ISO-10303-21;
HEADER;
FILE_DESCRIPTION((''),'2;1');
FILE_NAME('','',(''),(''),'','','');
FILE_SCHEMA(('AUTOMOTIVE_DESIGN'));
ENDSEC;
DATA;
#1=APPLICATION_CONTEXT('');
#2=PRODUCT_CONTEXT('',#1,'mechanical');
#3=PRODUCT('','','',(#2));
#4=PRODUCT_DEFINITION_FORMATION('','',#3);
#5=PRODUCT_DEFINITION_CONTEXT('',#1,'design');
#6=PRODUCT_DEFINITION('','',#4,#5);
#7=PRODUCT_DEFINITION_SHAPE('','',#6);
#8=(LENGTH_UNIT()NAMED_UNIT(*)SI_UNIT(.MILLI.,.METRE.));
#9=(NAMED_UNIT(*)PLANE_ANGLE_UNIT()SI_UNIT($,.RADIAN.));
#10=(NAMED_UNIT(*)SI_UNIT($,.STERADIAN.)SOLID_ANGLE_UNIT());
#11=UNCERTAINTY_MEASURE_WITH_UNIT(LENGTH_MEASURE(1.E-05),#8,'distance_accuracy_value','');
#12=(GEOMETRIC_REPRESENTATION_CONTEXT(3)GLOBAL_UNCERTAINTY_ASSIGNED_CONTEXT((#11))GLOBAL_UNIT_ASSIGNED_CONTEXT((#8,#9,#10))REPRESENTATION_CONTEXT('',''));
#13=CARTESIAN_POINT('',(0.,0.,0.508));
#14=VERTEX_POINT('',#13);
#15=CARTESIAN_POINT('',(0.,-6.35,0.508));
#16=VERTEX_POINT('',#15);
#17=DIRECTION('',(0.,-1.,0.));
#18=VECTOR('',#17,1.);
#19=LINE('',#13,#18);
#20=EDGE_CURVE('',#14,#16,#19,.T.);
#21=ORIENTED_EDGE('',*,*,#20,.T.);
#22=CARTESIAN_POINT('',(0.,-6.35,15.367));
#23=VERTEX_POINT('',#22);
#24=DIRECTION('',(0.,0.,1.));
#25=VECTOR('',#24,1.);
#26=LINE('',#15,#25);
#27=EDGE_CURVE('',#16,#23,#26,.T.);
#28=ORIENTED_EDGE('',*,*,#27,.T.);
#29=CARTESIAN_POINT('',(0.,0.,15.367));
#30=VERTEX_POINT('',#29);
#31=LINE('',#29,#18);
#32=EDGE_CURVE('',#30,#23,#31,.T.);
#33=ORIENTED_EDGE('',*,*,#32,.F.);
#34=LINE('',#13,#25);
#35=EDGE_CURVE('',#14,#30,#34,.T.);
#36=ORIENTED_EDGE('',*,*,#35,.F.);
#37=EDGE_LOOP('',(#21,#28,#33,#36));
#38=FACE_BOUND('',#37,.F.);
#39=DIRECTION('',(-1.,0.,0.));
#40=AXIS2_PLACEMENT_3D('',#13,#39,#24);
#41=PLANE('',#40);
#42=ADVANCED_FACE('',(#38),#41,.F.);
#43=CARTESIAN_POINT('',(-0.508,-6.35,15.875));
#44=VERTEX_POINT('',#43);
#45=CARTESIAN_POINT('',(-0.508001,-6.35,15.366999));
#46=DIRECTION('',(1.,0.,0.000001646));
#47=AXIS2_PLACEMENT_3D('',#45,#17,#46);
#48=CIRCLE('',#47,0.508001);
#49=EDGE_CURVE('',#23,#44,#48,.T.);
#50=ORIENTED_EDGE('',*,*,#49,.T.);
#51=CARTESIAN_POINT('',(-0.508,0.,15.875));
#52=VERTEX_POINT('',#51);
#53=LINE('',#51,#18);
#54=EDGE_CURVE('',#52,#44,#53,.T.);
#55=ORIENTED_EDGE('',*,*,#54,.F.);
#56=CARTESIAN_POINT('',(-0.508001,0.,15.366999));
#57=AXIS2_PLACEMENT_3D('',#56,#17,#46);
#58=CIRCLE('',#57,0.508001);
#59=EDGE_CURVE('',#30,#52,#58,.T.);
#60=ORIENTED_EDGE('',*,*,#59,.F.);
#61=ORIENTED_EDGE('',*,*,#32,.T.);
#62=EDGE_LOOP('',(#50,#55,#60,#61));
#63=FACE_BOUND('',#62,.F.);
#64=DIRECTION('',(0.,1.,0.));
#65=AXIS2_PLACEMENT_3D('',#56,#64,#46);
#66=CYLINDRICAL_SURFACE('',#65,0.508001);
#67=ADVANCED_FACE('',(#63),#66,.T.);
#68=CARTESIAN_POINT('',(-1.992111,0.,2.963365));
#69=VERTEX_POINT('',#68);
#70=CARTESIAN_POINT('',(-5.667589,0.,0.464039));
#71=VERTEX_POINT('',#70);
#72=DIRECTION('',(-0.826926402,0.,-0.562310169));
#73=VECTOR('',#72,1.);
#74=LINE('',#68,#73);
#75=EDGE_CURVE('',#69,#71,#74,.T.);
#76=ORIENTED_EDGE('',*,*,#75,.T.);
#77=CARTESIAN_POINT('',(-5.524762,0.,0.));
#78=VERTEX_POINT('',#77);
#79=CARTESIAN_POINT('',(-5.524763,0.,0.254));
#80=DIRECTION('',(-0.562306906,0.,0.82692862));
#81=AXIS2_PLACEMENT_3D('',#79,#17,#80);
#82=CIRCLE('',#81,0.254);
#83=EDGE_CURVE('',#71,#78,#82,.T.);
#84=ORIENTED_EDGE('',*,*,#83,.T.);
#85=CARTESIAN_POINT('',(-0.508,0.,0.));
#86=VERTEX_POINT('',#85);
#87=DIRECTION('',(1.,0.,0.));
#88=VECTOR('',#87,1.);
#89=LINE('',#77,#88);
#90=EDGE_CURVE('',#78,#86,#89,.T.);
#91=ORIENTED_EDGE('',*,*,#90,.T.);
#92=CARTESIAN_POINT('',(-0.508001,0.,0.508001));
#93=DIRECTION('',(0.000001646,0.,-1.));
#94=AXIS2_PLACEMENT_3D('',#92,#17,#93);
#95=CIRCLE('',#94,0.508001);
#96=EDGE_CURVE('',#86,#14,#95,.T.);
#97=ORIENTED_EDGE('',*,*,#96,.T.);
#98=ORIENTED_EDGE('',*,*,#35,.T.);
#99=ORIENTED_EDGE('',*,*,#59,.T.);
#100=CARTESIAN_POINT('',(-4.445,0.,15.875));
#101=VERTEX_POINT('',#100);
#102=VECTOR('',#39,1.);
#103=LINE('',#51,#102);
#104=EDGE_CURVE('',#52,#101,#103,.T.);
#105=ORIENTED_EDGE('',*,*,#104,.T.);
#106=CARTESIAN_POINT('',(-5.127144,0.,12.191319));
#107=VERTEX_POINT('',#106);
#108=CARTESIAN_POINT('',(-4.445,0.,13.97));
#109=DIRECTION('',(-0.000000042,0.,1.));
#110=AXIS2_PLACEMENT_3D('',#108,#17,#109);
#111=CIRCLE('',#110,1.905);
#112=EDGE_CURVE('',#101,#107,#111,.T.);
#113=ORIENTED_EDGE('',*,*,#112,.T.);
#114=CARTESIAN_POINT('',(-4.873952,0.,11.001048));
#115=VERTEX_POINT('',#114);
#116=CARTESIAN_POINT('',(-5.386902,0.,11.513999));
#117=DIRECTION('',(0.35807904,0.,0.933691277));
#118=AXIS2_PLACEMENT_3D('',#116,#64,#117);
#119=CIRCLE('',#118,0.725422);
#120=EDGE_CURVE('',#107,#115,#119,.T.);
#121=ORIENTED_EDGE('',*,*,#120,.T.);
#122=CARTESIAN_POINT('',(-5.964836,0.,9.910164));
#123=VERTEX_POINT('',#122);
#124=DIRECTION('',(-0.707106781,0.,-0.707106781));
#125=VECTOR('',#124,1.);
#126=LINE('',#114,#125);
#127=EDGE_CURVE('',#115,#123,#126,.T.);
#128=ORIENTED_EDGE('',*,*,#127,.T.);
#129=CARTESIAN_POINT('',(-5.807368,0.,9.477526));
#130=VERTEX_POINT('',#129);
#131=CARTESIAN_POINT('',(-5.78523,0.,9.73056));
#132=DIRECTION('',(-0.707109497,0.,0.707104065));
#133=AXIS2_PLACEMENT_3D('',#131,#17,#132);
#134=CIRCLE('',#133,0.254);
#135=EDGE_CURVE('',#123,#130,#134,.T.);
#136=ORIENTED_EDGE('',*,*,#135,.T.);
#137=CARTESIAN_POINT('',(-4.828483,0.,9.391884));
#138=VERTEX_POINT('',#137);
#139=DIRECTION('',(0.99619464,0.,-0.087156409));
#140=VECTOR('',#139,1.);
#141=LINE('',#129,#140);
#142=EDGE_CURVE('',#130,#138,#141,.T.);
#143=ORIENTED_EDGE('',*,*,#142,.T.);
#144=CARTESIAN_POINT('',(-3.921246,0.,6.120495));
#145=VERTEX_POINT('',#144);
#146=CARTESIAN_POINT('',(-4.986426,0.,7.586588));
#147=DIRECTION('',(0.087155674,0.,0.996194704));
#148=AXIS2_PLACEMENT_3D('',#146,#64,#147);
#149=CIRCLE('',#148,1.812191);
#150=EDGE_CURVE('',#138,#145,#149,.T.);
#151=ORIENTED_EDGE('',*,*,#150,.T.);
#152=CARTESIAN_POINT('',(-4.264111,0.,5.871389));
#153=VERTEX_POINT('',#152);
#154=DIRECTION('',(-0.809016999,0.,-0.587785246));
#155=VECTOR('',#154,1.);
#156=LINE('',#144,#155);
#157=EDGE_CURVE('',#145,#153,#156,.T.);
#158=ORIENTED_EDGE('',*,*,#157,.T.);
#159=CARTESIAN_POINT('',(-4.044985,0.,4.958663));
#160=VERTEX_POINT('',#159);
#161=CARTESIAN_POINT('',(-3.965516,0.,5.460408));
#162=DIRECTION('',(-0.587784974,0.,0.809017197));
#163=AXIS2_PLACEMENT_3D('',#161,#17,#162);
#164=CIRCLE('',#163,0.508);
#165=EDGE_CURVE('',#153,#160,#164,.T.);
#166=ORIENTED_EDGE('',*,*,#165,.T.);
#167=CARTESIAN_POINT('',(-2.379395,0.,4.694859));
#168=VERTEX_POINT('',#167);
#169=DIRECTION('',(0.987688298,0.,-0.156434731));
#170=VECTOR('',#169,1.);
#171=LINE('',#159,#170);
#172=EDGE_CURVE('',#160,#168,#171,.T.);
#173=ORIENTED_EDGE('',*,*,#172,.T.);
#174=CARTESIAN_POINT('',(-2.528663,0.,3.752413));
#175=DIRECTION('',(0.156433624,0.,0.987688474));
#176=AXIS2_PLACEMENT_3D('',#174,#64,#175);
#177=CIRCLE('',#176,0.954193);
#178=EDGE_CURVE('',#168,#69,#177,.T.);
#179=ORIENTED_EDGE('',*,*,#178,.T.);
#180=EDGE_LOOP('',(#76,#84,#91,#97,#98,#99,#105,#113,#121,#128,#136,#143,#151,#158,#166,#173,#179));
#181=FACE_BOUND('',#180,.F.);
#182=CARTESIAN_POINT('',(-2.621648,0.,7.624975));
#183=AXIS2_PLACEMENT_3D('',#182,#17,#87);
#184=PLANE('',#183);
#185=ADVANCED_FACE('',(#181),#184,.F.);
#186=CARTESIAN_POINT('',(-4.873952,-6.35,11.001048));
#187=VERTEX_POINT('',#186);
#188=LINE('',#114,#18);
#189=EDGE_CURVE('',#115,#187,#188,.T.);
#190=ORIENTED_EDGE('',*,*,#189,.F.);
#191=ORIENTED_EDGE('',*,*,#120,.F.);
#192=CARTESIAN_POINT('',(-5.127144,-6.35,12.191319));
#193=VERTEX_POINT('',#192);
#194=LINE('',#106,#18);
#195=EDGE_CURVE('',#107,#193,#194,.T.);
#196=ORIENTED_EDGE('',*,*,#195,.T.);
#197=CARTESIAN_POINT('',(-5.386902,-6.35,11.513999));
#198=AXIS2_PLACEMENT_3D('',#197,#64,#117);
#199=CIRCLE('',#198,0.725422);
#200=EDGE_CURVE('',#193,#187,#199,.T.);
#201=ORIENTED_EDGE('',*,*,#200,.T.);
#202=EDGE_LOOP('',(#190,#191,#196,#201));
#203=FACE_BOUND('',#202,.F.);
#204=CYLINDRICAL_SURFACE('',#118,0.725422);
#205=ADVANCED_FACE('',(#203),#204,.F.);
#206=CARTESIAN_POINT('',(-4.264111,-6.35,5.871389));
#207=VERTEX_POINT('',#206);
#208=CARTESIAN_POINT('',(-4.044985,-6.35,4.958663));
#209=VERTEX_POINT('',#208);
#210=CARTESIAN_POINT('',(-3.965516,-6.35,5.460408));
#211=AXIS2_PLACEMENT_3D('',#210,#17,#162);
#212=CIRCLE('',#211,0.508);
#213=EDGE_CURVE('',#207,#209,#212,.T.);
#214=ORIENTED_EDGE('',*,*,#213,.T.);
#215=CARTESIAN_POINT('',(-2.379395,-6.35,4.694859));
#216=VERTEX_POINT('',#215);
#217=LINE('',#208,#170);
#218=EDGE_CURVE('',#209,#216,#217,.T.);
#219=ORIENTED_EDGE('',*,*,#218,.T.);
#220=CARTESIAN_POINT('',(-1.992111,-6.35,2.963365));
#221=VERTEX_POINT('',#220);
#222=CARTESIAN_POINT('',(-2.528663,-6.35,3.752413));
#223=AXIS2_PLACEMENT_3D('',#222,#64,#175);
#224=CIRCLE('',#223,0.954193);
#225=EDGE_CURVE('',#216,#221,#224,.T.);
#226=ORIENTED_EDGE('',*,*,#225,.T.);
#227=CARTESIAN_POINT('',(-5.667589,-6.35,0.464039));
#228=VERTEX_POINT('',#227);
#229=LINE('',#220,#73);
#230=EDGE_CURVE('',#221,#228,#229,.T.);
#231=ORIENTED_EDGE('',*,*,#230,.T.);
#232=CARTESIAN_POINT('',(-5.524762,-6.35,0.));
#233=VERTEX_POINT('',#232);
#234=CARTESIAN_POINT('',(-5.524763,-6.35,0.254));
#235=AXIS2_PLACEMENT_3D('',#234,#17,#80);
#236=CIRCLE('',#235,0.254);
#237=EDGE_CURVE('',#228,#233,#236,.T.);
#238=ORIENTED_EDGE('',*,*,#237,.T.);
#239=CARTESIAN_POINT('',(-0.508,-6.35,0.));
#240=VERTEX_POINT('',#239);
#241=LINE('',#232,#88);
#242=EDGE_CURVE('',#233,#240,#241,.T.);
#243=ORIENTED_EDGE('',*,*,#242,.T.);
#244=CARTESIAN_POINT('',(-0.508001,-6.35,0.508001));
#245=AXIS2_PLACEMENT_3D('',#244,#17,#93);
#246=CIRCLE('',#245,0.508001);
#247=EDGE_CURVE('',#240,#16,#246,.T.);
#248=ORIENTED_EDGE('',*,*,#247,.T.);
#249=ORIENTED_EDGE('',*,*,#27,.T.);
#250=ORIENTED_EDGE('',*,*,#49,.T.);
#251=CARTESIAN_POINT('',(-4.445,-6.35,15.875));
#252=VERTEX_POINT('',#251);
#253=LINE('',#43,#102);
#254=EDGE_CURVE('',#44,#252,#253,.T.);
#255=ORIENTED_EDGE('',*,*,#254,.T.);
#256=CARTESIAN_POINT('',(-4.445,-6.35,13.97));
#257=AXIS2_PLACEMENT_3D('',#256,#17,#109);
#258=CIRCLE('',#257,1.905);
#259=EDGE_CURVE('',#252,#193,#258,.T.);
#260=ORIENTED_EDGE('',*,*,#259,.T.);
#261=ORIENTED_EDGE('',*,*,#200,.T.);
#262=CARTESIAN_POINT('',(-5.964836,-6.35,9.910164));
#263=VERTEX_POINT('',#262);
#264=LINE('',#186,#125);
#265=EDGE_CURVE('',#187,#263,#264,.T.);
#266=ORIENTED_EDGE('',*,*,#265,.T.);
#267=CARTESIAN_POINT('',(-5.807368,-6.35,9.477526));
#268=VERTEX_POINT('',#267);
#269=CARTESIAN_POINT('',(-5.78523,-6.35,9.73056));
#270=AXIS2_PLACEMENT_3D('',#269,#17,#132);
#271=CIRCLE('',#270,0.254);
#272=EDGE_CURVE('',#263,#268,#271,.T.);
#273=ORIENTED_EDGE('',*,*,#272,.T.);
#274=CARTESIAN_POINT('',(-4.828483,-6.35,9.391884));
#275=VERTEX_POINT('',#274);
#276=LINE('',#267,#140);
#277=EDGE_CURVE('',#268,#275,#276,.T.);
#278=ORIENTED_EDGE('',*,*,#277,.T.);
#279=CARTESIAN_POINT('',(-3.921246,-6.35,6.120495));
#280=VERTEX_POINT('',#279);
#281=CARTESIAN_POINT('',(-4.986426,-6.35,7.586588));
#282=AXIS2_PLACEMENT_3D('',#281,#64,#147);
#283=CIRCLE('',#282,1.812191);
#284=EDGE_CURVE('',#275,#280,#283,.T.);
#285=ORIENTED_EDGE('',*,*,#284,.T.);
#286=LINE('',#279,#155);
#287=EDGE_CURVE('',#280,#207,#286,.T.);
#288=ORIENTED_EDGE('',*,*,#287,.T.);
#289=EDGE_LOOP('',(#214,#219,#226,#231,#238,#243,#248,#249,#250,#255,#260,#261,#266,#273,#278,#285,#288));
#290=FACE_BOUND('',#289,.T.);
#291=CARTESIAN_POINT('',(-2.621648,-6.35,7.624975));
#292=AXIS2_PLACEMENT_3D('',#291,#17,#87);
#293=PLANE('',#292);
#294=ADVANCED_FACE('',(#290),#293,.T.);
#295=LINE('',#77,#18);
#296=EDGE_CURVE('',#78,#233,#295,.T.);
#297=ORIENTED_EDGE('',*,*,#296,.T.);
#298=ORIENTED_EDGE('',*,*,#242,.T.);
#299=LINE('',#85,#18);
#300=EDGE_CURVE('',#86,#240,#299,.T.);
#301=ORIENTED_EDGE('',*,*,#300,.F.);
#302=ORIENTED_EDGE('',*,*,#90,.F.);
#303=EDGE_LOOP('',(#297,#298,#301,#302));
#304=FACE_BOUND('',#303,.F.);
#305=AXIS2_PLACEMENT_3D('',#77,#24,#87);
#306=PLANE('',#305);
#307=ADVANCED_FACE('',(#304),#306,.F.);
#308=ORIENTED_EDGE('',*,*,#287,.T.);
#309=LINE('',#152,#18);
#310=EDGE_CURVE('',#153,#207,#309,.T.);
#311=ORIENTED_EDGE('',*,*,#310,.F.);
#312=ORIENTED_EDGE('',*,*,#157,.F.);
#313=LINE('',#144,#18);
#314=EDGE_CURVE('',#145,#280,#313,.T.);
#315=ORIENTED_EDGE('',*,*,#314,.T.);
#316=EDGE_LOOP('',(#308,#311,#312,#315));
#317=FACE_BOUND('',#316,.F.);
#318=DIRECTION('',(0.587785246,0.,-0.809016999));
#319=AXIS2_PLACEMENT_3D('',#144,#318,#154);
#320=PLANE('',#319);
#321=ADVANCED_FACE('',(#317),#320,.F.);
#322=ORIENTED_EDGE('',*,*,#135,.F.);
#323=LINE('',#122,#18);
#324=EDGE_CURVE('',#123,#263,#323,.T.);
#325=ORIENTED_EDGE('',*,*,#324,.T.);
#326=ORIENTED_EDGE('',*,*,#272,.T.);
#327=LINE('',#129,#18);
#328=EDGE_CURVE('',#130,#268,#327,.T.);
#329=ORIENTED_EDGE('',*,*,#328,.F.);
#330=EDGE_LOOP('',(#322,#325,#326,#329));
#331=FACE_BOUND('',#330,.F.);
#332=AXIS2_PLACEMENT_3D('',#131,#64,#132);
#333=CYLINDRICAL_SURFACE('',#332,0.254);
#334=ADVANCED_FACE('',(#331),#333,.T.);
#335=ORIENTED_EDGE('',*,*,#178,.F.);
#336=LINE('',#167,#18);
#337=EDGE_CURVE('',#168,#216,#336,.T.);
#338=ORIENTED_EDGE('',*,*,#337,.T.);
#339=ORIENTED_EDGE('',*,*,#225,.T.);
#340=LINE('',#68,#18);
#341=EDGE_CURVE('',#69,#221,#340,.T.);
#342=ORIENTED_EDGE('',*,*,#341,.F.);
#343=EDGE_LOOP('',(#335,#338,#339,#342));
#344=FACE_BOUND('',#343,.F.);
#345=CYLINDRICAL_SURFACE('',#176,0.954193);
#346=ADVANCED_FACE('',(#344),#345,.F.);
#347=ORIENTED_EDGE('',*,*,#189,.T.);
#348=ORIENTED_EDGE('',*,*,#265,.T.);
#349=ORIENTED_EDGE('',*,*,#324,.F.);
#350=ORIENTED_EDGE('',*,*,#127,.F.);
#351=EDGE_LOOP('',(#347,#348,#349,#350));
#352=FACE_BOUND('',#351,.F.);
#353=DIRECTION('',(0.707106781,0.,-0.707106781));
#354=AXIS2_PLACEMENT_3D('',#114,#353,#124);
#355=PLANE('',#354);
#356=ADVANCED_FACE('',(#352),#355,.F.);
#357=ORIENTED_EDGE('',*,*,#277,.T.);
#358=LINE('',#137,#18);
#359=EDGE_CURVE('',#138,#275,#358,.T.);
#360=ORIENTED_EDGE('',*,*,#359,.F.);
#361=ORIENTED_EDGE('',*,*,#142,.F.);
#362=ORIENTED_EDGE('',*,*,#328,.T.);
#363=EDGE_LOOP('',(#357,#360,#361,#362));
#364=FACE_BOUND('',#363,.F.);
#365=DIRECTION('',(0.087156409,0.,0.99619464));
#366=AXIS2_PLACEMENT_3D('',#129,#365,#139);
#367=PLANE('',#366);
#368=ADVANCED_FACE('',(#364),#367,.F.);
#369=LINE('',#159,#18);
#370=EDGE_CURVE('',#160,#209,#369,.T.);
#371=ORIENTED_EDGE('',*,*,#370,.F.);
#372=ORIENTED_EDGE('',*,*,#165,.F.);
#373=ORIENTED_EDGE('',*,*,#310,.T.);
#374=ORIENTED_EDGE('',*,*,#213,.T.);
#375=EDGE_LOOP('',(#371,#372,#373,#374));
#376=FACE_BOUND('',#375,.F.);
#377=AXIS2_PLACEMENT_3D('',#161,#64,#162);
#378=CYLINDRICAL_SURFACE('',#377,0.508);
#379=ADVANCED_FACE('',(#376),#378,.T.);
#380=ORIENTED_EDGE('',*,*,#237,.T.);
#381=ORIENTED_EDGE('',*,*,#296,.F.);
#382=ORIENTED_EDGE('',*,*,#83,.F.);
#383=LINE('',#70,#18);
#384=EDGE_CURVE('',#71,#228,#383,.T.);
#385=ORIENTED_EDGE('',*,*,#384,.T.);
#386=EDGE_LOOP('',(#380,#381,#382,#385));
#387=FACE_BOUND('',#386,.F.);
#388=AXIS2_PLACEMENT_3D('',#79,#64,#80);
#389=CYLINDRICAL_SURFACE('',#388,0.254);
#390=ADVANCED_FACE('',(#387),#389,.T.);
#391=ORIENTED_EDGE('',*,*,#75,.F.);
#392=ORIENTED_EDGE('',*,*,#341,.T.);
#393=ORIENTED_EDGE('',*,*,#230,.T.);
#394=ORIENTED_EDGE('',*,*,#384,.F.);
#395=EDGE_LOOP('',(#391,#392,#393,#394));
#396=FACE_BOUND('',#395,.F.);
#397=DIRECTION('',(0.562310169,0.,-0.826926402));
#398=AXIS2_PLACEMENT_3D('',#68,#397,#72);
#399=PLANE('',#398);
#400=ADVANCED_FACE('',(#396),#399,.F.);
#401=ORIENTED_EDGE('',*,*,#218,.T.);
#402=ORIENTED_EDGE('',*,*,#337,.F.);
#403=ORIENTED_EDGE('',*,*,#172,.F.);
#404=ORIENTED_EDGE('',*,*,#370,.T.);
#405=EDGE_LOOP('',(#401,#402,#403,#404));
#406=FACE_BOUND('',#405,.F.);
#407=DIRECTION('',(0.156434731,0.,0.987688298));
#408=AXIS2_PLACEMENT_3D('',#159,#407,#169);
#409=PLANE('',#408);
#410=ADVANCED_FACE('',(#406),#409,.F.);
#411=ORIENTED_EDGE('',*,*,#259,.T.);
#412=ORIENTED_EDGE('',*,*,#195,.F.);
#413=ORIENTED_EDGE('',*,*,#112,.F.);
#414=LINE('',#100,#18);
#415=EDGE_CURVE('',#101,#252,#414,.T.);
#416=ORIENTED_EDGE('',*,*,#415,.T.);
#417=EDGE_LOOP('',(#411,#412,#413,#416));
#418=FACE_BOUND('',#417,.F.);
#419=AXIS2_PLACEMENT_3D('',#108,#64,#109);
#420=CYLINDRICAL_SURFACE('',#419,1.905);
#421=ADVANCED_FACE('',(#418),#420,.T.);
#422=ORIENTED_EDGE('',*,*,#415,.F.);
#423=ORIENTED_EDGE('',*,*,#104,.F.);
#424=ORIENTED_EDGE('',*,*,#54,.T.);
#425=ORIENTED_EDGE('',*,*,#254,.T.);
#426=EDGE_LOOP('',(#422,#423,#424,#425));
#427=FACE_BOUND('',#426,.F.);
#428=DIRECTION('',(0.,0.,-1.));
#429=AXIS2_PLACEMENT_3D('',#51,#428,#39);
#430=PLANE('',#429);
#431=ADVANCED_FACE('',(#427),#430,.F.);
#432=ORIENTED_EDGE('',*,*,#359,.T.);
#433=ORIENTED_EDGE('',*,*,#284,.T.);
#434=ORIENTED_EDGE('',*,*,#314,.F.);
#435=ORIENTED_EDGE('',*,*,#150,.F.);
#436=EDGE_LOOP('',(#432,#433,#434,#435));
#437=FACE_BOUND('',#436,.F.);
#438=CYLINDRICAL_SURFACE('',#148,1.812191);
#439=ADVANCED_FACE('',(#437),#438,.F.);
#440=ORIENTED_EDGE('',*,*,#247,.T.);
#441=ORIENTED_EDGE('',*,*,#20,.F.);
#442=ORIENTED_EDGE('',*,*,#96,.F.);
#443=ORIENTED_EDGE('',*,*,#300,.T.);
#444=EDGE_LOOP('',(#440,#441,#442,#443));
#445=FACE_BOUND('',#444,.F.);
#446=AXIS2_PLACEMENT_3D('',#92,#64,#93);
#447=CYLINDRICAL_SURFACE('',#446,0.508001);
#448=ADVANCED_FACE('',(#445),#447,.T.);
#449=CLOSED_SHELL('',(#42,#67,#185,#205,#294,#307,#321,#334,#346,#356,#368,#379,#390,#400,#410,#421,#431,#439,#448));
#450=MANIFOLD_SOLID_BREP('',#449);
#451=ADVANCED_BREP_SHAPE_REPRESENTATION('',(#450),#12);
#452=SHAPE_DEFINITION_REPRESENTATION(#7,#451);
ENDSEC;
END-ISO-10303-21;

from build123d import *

# Parameters (mm, degrees)
F1_DEPTH = 6.35


with BuildPart() as f1:
    # F0 (on Front) → F1 (new body)
    with BuildSketch(Plane.XZ):
        with BuildLine():
            Line((-5.524762, 0), (-0.508, 0))
            ThreePointArc((-0.508, 0), (-0.14879, 0.14879), (0, 0.508))
            Line((0, 0.508), (0, 15.367))
            ThreePointArc((0, 15.367), (-0.14879, 15.72621), (-0.508, 15.875))
            Line((-0.508, 15.875), (-4.445, 15.875))
            ThreePointArc((-4.445, 15.875), (-6.318154, 14.316871), (-5.127144, 12.191319))
            ThreePointArc((-5.127144, 12.191319), (-4.677356, 11.664932), (-4.873952, 11.001048))
            Line((-4.873952, 11.001048), (-5.964836, 9.910164))
            ThreePointArc((-5.964836, 9.910164), (-6.023912, 9.643686), (-5.807368, 9.477526))
            Line((-5.807368, 9.477526), (-4.828483, 9.391884))
            ThreePointArc((-4.828483, 9.391884), (-3.240143, 8.070876), (-3.921246, 6.120495))
            Line((-3.921246, 6.120495), (-4.264111, 5.871389))
            ThreePointArc((-4.264111, 5.871389), (-4.45948, 5.341818), (-4.044985, 4.958663))
            Line((-4.044985, 4.958663), (-2.379395, 4.694859))
            ThreePointArc((-2.379395, 4.694859), (-1.597478, 3.960691), (-1.992111, 2.963365))
            Line((-1.992111, 2.963365), (-5.667589, 0.464039))
            ThreePointArc((-5.667589, 0.464039), (-5.767524, 0.17928), (-5.524762, 0))
        make_face()
    extrude(amount=F1_DEPTH)


solid = f1.part
